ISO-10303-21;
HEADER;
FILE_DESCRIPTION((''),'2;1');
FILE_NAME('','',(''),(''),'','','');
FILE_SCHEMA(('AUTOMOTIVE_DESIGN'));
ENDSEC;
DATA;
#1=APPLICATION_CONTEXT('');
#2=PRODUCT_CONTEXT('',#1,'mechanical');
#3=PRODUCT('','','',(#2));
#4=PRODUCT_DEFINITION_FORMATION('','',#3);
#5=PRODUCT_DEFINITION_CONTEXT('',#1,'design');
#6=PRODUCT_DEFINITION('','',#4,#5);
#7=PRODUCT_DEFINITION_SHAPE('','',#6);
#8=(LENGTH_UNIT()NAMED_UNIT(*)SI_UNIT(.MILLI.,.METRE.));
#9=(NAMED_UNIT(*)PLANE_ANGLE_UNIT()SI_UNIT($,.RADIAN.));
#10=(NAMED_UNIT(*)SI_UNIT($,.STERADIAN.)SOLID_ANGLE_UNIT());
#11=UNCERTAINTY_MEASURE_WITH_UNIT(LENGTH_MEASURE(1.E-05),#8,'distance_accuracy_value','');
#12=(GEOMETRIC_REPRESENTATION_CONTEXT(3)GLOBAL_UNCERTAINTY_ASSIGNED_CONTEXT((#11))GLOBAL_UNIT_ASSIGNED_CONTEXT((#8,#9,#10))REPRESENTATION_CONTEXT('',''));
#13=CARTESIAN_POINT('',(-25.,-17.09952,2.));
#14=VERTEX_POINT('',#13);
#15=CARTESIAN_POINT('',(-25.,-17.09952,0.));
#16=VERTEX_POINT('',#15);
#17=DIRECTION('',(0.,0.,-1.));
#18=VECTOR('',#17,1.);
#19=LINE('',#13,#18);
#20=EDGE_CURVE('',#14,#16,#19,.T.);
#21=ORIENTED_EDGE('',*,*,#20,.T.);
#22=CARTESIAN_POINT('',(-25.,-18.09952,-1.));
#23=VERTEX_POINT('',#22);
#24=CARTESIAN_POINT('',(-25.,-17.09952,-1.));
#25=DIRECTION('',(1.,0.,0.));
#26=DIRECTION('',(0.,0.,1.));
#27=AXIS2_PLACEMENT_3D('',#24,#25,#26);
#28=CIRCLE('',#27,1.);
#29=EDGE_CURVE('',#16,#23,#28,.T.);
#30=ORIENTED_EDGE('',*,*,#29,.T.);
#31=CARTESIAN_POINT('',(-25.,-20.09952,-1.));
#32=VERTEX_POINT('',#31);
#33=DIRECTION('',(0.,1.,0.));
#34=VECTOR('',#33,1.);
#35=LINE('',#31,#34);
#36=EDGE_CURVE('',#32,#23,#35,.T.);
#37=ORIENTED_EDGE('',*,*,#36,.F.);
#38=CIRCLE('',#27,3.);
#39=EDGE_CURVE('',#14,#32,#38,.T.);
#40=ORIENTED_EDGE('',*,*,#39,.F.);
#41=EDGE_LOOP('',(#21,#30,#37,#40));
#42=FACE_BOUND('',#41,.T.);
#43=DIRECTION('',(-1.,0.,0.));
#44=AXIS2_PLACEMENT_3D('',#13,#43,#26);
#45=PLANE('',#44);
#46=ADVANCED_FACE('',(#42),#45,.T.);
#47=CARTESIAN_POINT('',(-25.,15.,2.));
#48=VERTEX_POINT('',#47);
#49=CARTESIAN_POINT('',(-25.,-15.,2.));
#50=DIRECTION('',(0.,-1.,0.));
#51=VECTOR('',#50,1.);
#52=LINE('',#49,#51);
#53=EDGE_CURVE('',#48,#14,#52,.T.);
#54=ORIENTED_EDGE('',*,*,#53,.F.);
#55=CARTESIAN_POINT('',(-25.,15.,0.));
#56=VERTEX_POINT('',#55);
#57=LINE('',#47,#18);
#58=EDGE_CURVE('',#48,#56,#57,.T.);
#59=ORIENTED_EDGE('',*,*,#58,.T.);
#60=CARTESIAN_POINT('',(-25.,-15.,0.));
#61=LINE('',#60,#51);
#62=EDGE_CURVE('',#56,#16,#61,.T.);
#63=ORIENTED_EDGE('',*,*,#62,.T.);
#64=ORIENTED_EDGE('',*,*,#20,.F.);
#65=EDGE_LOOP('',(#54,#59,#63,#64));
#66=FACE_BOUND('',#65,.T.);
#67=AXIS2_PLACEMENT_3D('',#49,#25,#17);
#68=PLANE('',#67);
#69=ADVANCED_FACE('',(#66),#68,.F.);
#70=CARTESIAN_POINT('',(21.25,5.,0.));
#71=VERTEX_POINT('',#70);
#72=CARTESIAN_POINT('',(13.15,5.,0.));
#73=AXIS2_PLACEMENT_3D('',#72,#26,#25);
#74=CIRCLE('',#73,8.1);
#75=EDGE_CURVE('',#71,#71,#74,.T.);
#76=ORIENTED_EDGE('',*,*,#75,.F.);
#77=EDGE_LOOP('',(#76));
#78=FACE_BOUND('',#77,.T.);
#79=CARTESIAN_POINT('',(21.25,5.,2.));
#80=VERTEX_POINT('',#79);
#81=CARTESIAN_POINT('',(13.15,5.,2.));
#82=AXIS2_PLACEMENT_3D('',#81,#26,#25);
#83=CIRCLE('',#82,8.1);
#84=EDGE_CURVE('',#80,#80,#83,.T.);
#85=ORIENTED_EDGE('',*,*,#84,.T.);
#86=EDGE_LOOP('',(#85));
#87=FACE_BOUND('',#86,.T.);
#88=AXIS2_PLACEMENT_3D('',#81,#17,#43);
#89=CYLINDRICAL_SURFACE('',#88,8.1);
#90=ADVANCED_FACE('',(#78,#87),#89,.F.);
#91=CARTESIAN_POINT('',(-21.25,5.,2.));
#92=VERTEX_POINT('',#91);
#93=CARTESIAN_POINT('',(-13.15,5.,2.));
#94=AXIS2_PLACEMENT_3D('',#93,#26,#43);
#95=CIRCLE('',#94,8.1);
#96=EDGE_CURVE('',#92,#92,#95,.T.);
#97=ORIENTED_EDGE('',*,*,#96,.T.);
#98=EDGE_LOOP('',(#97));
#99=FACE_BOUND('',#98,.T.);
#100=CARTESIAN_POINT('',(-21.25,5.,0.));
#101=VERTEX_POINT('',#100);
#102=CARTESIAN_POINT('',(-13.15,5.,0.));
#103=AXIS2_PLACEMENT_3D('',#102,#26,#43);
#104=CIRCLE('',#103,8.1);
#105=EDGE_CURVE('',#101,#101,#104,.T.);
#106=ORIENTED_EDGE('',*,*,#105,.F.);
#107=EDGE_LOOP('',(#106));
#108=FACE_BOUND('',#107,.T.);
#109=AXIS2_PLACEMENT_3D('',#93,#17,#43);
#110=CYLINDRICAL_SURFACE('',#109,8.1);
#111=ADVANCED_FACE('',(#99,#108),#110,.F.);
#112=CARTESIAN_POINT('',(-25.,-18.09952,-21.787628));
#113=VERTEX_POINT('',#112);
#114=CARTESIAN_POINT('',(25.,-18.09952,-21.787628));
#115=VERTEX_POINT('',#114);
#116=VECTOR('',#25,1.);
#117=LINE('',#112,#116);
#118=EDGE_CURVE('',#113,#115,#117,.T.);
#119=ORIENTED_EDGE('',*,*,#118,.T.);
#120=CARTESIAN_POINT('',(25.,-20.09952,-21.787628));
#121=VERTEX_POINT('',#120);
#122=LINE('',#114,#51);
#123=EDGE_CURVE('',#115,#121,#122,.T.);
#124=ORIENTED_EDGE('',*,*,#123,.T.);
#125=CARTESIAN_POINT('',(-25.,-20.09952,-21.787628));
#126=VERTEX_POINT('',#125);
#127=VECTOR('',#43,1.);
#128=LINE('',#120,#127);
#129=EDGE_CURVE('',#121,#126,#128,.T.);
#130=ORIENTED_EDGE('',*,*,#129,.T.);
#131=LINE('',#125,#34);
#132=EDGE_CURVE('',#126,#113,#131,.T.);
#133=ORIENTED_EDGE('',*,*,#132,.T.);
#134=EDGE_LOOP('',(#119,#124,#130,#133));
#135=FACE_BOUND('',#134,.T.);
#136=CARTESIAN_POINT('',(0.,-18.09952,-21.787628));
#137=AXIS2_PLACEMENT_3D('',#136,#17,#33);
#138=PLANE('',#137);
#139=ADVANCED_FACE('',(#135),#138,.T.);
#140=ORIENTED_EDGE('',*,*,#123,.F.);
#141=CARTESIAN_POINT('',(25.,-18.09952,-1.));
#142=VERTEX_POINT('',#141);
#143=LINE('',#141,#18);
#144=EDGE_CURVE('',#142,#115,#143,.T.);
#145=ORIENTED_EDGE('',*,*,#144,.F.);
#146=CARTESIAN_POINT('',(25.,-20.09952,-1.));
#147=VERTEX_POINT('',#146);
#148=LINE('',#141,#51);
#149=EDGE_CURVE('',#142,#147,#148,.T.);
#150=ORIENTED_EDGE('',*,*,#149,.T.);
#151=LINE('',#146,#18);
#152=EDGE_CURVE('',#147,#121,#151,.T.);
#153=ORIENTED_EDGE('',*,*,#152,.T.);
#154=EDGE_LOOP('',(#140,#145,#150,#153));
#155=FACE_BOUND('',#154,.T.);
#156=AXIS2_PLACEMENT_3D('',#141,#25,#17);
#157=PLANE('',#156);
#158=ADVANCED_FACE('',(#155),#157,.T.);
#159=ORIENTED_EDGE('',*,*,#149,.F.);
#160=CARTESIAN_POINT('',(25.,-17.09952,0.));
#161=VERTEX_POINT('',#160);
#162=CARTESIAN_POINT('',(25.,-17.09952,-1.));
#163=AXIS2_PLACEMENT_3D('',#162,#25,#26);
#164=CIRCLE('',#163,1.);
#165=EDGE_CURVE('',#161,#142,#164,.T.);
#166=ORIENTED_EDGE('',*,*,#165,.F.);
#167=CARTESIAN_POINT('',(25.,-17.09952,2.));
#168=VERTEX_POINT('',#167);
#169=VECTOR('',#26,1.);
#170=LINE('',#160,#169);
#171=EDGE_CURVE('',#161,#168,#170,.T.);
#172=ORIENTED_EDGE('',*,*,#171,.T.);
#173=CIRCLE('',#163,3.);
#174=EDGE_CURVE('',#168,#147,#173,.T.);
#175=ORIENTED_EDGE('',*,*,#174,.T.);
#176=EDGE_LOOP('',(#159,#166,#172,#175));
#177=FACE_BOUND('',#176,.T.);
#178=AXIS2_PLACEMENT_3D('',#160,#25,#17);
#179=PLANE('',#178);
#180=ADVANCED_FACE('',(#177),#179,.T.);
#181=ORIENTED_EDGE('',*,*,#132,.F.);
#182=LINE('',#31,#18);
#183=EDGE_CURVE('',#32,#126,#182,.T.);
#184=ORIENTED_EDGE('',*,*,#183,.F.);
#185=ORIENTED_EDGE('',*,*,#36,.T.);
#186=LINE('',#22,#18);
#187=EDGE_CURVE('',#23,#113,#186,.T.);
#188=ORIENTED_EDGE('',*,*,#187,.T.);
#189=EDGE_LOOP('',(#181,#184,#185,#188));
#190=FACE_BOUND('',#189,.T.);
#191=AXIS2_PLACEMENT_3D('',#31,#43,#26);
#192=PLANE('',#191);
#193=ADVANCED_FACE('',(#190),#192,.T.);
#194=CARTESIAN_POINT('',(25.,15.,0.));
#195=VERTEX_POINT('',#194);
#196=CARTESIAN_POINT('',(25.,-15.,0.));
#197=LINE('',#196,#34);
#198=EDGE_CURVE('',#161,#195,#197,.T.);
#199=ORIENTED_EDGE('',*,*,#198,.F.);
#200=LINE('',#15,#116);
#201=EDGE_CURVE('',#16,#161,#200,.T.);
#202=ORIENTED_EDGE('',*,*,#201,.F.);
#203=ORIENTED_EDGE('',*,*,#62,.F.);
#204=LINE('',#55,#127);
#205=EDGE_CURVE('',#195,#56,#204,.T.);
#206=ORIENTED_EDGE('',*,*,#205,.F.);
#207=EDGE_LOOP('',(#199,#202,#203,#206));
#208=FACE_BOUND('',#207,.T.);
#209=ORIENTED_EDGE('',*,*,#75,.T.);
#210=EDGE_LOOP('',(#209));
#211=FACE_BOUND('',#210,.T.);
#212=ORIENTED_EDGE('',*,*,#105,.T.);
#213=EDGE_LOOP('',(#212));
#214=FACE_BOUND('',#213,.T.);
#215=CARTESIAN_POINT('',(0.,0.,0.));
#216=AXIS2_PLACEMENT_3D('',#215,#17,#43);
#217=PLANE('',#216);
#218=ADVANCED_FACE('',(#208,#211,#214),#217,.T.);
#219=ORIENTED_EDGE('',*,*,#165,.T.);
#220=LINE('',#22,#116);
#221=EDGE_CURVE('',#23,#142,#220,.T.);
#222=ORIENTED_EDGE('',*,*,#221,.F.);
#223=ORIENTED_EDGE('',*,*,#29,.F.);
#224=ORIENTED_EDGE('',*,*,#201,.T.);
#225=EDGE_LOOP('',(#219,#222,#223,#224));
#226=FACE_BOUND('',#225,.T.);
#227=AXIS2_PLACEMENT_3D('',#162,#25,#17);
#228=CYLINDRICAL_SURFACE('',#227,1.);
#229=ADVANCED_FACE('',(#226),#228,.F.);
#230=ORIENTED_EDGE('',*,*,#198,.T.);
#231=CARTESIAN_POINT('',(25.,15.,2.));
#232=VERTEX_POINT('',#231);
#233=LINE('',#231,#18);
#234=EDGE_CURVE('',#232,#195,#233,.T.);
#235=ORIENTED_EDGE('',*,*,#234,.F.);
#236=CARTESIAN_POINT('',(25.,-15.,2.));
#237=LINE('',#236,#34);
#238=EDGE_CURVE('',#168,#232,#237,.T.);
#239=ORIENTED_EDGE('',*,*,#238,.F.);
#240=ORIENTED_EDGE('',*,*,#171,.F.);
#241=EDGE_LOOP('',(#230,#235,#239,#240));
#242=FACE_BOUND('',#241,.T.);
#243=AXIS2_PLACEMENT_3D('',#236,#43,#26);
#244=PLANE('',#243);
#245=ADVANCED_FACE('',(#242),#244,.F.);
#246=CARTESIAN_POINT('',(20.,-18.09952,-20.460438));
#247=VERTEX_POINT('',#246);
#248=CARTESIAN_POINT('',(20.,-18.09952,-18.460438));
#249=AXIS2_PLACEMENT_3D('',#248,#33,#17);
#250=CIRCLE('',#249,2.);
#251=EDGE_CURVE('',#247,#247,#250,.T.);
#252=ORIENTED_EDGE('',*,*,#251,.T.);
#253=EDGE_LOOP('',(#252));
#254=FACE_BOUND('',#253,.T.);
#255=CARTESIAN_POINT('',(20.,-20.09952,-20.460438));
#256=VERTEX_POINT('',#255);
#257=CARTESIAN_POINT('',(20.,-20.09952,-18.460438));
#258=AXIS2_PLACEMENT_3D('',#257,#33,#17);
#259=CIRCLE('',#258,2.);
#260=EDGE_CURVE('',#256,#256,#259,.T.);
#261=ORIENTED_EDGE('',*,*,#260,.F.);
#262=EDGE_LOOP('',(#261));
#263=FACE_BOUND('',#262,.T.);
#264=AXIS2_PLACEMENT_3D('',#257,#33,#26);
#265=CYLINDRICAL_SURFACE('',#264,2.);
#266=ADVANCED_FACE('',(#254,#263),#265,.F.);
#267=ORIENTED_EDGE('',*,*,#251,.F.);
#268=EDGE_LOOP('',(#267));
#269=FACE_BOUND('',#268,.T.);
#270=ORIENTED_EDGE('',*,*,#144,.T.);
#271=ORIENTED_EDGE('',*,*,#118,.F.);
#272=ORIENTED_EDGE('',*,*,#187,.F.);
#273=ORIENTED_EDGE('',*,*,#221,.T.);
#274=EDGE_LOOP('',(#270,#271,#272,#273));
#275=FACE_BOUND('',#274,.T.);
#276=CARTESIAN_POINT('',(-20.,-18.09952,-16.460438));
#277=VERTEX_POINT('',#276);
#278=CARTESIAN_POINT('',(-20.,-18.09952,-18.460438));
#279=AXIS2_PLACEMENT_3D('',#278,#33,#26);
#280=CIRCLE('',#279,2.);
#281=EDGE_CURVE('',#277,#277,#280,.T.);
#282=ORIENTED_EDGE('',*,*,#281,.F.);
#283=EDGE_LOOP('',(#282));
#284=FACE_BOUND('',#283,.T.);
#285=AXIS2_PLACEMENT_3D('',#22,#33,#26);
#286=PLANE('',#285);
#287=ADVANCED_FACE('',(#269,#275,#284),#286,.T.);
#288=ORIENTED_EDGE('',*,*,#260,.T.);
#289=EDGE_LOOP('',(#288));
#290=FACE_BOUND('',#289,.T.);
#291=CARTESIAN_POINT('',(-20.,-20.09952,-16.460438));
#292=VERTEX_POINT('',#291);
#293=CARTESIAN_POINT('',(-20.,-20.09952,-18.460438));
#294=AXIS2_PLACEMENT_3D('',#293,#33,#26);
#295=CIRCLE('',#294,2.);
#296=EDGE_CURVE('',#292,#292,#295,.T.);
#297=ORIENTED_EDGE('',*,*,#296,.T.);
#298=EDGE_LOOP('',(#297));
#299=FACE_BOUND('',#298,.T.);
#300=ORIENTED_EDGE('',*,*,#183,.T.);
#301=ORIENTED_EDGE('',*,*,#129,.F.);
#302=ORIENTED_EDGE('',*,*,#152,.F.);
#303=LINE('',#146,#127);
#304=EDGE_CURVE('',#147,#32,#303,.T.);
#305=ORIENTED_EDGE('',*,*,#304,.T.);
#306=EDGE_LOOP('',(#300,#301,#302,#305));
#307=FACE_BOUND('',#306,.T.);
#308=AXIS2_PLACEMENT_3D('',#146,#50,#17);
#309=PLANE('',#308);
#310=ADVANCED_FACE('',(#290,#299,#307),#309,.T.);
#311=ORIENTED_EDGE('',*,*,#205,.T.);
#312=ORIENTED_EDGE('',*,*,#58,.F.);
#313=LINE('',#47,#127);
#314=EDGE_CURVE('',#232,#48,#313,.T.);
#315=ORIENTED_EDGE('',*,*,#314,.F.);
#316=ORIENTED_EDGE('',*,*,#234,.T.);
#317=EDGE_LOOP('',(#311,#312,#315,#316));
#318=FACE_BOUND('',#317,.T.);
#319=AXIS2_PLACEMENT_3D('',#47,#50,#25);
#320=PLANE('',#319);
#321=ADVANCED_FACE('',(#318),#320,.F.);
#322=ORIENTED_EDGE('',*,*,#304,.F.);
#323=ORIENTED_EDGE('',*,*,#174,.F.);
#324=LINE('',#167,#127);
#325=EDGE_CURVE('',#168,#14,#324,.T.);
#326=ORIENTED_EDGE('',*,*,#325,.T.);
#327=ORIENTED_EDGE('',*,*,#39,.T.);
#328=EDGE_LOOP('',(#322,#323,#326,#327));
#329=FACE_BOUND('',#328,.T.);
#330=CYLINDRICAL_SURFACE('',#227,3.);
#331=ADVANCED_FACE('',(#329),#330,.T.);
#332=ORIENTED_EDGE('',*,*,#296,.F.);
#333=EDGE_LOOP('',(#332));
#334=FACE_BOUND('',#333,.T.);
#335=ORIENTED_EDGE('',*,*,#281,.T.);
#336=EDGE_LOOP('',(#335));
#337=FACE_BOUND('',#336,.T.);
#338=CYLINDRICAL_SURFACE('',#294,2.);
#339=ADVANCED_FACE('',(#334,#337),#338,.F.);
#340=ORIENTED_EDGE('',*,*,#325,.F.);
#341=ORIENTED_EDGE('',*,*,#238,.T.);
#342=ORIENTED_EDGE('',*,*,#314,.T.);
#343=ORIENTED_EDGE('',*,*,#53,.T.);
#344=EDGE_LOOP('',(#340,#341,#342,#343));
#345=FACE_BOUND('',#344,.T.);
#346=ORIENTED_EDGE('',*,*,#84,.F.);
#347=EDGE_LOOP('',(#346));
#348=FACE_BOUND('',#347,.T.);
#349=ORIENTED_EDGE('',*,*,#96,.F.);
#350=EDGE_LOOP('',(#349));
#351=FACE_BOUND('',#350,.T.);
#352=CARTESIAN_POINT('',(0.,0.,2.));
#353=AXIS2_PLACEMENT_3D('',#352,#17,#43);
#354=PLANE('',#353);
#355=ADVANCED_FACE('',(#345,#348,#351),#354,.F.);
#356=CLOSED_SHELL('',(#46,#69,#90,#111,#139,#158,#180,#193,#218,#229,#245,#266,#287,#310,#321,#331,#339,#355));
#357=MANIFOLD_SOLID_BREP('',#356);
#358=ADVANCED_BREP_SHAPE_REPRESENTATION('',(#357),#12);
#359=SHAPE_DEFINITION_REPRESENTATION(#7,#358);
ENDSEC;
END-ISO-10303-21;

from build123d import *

# Parameters (mm, degrees)
SKETCH1_W           = 50
SKETCH1_H           = 30
SKETCH1_R           = 8.1
BOSS_EXTRUDE1_DEPTH = 2
SKETCH3_W           = 50
SKETCH3_H           = 2
SKETCH5_R           = 2
CUT_EXTRUDE1_DEPTH  = 47.853803709


with BuildPart() as part:
    # Sketch1 → Boss-Extrude1 (new body)
    with BuildSketch(Plane.XY):
        Rectangle(SKETCH1_W, SKETCH1_H)
        with Locations((13.15, 5)):
            Circle(SKETCH1_R, mode=Mode.SUBTRACT)
        with Locations(Location((-13.15, 5, 0), (0, 0, 180))):
            Circle(SKETCH1_R, mode=Mode.SUBTRACT)
    extrude(amount=BOSS_EXTRUDE1_DEPTH)

    # Sweep1: sweep along a path in Sketch2
    with BuildLine(Plane(origin=(25, 0, 0), x_dir=(0, 0, -1), z_dir=(1, 0, 0))) as sweep1_path:
        Line((-1, -15), (-1, -17.099519782))
        ThreePointArc((-1, -17.099519782), (-0.414213562, -18.513733344), (1, -19.099519782))
        Line((1, -19.099519782), (21.787627504, -19.099519782))
    # Sketch3 → Sweep1 (sweep)
    with BuildSketch(Plane.XZ.offset(15)):
        with Locations((0, 1)):
            Rectangle(SKETCH3_W, SKETCH3_H)
    sweep(path=sweep1_path.line)

    # Sketch5 → Cut-Extrude1 (cut, through all)
    with BuildSketch(Plane(origin=(0, -18.099519782, 0), x_dir=(1, 0, 0), z_dir=(0, 1, 0))):
        with Locations(Location((-20, 18.460437776, 0), (0, 0, 270))):
            Circle(SKETCH5_R)
        with Locations(Location((20, 18.460437776, 0), (0, 0, 90))):
            Circle(SKETCH5_R)
    extrude(amount=-CUT_EXTRUDE1_DEPTH, mode=Mode.SUBTRACT)


solid = part.part
